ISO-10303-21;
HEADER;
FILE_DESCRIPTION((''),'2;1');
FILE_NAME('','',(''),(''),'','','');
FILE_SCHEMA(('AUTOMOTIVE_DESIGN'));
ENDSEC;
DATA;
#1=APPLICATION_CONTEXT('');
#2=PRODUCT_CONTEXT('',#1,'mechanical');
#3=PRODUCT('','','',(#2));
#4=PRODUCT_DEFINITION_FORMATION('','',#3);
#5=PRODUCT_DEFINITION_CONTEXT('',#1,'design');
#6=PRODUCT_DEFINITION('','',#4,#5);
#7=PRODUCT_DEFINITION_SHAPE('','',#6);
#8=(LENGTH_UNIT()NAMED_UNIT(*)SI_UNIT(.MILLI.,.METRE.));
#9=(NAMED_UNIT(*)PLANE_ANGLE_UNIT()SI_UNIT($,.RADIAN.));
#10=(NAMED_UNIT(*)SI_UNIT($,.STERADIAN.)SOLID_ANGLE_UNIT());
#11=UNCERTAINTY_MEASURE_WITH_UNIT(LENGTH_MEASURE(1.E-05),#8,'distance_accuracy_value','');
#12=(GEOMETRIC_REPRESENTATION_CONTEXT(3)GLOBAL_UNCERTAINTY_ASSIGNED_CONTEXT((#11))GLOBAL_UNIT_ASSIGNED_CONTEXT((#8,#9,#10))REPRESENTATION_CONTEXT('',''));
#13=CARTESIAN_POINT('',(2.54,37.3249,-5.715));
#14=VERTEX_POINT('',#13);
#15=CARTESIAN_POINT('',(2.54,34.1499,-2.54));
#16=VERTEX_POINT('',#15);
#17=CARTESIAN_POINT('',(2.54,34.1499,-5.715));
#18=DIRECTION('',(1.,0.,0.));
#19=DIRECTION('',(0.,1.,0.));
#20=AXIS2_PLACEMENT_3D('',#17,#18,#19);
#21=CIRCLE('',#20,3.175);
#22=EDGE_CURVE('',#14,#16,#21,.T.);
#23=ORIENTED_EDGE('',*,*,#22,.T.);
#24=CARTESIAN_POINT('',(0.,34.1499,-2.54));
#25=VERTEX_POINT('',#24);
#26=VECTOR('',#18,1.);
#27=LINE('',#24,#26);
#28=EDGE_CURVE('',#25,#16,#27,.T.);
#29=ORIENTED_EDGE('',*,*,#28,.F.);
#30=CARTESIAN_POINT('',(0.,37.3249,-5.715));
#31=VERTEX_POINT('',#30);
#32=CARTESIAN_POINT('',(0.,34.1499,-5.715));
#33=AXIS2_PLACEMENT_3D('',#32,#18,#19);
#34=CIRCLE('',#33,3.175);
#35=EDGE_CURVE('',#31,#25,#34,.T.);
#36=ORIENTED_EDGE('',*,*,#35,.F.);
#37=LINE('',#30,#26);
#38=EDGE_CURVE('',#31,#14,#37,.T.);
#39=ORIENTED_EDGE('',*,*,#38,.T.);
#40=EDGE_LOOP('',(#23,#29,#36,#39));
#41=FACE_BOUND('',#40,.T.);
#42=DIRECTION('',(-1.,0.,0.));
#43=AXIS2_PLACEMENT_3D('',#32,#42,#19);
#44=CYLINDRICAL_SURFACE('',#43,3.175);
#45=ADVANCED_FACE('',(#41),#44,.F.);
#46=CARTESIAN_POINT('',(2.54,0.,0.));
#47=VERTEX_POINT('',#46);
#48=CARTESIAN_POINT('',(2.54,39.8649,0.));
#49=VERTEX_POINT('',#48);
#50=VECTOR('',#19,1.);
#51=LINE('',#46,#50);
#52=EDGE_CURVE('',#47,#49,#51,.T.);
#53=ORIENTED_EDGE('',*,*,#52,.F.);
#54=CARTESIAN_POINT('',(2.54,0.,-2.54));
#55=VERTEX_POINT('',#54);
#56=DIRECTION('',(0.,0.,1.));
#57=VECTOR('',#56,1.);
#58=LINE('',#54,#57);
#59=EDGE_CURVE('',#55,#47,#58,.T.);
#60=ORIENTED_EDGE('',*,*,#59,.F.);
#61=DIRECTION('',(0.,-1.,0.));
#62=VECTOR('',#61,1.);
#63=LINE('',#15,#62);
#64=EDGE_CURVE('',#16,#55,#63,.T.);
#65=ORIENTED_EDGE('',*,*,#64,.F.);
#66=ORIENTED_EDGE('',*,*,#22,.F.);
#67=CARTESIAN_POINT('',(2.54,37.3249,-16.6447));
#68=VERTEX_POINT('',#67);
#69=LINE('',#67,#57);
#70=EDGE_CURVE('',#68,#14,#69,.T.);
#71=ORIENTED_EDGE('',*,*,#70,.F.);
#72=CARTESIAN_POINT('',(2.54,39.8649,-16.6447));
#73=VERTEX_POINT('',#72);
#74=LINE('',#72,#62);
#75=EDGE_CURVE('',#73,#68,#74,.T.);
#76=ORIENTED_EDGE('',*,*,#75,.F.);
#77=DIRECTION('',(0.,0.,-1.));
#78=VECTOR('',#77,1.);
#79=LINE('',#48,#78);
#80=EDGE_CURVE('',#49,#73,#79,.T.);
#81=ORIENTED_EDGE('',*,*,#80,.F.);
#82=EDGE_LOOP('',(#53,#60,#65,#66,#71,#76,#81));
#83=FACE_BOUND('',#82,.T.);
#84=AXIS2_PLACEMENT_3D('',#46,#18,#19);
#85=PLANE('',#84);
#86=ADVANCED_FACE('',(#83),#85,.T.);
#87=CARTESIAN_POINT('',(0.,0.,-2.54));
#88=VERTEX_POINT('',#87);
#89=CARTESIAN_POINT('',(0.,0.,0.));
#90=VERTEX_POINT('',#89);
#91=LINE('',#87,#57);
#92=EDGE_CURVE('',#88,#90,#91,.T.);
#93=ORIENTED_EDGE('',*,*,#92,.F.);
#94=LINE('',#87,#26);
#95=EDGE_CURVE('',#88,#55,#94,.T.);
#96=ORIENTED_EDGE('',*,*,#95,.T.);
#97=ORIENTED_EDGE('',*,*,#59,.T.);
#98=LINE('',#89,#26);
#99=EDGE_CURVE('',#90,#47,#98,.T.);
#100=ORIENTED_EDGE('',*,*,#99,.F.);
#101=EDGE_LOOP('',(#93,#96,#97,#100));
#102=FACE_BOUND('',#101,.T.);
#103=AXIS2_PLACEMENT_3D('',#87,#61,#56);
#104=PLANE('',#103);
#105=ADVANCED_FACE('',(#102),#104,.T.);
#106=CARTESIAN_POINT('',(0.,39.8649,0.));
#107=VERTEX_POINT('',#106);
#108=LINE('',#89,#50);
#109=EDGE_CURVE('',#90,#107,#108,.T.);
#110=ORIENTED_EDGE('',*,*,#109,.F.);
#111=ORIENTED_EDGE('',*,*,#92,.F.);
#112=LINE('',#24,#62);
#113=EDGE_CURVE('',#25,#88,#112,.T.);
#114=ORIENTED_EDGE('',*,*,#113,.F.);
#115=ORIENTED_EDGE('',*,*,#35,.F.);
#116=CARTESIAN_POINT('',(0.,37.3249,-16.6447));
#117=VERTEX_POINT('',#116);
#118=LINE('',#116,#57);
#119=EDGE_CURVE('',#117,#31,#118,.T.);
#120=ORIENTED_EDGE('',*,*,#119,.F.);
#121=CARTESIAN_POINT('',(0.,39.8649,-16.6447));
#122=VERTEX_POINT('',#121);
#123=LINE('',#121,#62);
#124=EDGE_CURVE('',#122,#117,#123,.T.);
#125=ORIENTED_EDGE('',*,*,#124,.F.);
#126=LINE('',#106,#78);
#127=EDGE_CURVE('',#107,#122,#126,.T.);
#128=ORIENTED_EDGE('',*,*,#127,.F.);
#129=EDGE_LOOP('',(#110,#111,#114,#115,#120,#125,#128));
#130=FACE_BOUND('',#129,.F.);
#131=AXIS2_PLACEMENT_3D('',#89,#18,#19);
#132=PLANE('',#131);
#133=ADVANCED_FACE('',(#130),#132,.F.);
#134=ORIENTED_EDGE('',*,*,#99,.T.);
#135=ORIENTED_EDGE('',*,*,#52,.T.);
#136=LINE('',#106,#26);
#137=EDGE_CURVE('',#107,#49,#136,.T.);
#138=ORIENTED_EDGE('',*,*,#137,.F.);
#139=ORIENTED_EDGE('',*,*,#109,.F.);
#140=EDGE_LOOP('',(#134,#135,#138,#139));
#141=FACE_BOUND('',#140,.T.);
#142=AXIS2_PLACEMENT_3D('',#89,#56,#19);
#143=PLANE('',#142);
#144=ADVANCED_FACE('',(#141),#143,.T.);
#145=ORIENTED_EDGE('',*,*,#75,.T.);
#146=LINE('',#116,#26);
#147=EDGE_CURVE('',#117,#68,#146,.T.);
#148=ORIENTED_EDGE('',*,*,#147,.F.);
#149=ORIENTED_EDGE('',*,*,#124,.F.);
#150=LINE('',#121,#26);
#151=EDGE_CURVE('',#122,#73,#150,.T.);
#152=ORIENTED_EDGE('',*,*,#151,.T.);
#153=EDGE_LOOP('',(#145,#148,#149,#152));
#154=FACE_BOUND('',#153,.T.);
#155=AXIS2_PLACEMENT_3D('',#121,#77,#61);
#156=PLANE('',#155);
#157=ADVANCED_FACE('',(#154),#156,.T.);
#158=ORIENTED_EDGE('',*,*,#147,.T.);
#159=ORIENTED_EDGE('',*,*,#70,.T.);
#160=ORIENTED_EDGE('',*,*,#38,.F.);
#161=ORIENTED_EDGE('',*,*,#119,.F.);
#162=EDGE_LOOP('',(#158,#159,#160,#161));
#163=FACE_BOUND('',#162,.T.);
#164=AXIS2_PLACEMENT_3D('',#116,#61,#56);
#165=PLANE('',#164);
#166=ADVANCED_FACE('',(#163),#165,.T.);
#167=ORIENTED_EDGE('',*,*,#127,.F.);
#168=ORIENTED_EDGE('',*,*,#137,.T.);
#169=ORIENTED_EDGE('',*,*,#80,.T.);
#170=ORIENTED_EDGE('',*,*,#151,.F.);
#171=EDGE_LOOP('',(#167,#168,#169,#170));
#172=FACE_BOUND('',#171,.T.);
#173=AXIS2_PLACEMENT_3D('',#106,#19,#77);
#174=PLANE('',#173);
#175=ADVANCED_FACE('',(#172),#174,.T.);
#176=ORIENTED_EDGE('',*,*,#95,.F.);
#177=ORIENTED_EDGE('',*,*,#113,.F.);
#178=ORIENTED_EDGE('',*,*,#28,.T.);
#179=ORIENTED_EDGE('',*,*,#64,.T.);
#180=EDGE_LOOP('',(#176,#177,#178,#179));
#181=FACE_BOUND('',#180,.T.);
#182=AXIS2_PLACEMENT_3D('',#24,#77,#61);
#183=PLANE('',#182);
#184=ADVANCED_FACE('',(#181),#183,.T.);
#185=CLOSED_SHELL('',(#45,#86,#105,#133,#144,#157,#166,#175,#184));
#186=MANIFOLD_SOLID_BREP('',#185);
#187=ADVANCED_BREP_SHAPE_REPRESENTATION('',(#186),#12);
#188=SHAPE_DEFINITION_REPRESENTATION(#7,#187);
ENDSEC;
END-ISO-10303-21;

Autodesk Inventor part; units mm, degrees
ref_plane "YZ Plane" through (0, 0, 0) normal (1, 0, 0) x (0, 1, 0)
ref_plane "XZ Plane" through (0, 0, 0) normal (0, 1, 0) x (-1, 0, 0)
ref_plane "XY Plane" through (0, 0, 0) normal (0, 0, 1) x (1, 0, 0)
sketch "Sketch1" plane through (0, 0, 0) normal (1, 0, 0) x (0, 1, 0)
  line L0 (0, 0) -> (39.8649, 0)
  line L1 (39.8649, 0) -> (39.8649, -16.6447)
  line L2 (39.8649, -16.6447) -> (37.3249, -16.6447)
  line L3 (37.3249, -16.6447) -> (37.3249, -5.715)
  line L4 (34.1499, -2.54) -> (0, -2.54)
  line L5 (0, -2.54) -> (0, 0)
  arc A0 (37.3249, -5.715) -> (34.1499, -2.54) centre (34.1499, -5.715) ccw
  dimension "d0" = 2.54
  dimension "d1" = 3.175
extrude "Extrusion1" add sketch "Sketch1" along normal blind 2.54
properties part number "allen key"
